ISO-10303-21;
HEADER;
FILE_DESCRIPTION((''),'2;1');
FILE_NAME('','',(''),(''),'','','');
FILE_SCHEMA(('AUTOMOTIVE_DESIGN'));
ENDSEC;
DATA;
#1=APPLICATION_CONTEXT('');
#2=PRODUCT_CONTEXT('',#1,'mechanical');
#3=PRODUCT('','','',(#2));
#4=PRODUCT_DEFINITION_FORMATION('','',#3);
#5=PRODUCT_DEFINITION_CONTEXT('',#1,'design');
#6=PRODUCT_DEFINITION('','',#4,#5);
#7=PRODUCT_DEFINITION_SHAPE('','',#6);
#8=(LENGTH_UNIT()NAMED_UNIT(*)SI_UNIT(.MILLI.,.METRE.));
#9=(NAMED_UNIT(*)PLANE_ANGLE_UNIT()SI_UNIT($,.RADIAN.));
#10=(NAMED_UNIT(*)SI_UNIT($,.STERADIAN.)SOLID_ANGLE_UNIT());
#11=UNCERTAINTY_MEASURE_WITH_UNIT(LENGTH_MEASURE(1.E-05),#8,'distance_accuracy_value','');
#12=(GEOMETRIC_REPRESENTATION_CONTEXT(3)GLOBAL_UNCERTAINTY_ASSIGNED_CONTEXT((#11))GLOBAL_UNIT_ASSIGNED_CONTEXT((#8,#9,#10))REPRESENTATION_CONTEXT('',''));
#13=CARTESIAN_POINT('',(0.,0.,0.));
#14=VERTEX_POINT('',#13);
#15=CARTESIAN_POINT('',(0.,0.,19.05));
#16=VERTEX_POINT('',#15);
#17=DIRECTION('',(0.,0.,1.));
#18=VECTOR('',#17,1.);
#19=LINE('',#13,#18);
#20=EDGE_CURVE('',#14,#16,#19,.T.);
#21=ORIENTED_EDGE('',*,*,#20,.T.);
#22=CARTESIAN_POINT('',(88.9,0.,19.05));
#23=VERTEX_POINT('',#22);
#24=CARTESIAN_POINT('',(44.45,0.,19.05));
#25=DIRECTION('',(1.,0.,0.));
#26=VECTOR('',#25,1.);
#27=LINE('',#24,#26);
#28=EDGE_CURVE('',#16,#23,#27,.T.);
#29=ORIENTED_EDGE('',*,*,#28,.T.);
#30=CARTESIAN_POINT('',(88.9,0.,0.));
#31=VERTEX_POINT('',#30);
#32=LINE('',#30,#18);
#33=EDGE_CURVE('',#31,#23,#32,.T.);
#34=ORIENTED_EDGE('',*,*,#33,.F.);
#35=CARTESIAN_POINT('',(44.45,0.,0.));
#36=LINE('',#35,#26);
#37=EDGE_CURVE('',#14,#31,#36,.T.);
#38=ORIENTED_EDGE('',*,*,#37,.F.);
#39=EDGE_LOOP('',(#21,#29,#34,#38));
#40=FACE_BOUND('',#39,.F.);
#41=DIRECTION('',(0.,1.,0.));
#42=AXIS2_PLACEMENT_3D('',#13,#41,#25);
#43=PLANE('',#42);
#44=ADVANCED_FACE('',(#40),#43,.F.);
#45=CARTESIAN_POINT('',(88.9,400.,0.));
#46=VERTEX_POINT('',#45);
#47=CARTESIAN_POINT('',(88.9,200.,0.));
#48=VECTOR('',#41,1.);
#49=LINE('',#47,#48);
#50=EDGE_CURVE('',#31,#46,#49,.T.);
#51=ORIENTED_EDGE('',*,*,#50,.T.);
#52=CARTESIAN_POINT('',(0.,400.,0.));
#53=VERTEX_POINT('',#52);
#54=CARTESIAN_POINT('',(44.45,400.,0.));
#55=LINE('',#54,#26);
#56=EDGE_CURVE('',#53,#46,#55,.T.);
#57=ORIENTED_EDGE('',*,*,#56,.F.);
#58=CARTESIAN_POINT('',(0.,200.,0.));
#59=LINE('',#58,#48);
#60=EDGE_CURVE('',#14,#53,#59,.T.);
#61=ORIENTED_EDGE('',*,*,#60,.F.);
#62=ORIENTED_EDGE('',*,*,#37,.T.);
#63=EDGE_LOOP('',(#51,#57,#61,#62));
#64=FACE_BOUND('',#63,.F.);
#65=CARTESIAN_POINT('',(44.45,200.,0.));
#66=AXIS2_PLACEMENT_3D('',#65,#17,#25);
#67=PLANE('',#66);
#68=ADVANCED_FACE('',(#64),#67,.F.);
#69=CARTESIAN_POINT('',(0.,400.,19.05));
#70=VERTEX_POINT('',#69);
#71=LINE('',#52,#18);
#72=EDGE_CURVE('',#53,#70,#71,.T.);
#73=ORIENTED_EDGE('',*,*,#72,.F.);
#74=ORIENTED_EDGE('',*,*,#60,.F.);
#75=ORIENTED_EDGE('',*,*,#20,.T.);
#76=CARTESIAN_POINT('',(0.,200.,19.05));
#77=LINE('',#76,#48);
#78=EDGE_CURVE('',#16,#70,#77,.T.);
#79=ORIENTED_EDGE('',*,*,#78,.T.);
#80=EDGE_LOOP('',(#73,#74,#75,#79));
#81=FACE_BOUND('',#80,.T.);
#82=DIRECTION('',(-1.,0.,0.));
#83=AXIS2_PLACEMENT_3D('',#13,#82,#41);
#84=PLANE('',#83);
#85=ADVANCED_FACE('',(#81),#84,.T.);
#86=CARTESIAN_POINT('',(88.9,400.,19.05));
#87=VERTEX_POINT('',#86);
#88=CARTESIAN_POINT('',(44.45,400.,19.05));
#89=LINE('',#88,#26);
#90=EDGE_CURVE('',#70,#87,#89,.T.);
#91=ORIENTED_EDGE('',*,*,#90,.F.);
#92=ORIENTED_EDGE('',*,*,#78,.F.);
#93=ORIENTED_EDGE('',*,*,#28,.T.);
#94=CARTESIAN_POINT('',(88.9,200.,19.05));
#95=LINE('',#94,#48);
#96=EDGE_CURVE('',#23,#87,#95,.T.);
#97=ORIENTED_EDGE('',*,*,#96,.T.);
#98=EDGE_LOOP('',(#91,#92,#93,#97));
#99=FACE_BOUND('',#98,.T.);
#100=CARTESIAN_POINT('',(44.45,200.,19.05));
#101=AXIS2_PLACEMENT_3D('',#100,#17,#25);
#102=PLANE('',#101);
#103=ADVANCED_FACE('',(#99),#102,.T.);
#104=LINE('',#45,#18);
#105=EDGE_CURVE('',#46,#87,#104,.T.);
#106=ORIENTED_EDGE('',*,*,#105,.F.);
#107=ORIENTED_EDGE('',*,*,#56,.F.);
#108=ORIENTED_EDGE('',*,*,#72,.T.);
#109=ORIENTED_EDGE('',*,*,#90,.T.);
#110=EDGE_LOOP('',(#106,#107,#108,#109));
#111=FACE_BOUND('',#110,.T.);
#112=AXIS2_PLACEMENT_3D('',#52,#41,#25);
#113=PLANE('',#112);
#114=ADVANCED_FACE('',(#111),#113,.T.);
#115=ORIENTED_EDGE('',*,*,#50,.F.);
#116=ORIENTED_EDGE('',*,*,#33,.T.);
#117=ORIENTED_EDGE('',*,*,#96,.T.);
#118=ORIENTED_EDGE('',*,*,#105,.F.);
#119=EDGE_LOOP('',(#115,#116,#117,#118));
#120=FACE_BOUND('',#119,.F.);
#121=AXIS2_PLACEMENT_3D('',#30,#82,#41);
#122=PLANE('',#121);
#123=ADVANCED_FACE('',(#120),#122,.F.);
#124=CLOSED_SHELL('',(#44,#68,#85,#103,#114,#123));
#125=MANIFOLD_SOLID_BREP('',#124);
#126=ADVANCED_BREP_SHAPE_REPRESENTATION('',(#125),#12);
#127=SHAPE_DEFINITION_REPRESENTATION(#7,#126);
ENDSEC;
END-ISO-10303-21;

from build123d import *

# Parameters (mm, degrees)
SKETCH_W  = 88.9
SKETCH_H  = 400
PAD_DEPTH = 19.05


with BuildPart() as part:
    # Sketch → Pad (new body)
    with BuildSketch(Plane.XY):
        with Locations((44.45, 200)):
            Rectangle(SKETCH_W, SKETCH_H)
    extrude(amount=PAD_DEPTH)


solid = part.part
